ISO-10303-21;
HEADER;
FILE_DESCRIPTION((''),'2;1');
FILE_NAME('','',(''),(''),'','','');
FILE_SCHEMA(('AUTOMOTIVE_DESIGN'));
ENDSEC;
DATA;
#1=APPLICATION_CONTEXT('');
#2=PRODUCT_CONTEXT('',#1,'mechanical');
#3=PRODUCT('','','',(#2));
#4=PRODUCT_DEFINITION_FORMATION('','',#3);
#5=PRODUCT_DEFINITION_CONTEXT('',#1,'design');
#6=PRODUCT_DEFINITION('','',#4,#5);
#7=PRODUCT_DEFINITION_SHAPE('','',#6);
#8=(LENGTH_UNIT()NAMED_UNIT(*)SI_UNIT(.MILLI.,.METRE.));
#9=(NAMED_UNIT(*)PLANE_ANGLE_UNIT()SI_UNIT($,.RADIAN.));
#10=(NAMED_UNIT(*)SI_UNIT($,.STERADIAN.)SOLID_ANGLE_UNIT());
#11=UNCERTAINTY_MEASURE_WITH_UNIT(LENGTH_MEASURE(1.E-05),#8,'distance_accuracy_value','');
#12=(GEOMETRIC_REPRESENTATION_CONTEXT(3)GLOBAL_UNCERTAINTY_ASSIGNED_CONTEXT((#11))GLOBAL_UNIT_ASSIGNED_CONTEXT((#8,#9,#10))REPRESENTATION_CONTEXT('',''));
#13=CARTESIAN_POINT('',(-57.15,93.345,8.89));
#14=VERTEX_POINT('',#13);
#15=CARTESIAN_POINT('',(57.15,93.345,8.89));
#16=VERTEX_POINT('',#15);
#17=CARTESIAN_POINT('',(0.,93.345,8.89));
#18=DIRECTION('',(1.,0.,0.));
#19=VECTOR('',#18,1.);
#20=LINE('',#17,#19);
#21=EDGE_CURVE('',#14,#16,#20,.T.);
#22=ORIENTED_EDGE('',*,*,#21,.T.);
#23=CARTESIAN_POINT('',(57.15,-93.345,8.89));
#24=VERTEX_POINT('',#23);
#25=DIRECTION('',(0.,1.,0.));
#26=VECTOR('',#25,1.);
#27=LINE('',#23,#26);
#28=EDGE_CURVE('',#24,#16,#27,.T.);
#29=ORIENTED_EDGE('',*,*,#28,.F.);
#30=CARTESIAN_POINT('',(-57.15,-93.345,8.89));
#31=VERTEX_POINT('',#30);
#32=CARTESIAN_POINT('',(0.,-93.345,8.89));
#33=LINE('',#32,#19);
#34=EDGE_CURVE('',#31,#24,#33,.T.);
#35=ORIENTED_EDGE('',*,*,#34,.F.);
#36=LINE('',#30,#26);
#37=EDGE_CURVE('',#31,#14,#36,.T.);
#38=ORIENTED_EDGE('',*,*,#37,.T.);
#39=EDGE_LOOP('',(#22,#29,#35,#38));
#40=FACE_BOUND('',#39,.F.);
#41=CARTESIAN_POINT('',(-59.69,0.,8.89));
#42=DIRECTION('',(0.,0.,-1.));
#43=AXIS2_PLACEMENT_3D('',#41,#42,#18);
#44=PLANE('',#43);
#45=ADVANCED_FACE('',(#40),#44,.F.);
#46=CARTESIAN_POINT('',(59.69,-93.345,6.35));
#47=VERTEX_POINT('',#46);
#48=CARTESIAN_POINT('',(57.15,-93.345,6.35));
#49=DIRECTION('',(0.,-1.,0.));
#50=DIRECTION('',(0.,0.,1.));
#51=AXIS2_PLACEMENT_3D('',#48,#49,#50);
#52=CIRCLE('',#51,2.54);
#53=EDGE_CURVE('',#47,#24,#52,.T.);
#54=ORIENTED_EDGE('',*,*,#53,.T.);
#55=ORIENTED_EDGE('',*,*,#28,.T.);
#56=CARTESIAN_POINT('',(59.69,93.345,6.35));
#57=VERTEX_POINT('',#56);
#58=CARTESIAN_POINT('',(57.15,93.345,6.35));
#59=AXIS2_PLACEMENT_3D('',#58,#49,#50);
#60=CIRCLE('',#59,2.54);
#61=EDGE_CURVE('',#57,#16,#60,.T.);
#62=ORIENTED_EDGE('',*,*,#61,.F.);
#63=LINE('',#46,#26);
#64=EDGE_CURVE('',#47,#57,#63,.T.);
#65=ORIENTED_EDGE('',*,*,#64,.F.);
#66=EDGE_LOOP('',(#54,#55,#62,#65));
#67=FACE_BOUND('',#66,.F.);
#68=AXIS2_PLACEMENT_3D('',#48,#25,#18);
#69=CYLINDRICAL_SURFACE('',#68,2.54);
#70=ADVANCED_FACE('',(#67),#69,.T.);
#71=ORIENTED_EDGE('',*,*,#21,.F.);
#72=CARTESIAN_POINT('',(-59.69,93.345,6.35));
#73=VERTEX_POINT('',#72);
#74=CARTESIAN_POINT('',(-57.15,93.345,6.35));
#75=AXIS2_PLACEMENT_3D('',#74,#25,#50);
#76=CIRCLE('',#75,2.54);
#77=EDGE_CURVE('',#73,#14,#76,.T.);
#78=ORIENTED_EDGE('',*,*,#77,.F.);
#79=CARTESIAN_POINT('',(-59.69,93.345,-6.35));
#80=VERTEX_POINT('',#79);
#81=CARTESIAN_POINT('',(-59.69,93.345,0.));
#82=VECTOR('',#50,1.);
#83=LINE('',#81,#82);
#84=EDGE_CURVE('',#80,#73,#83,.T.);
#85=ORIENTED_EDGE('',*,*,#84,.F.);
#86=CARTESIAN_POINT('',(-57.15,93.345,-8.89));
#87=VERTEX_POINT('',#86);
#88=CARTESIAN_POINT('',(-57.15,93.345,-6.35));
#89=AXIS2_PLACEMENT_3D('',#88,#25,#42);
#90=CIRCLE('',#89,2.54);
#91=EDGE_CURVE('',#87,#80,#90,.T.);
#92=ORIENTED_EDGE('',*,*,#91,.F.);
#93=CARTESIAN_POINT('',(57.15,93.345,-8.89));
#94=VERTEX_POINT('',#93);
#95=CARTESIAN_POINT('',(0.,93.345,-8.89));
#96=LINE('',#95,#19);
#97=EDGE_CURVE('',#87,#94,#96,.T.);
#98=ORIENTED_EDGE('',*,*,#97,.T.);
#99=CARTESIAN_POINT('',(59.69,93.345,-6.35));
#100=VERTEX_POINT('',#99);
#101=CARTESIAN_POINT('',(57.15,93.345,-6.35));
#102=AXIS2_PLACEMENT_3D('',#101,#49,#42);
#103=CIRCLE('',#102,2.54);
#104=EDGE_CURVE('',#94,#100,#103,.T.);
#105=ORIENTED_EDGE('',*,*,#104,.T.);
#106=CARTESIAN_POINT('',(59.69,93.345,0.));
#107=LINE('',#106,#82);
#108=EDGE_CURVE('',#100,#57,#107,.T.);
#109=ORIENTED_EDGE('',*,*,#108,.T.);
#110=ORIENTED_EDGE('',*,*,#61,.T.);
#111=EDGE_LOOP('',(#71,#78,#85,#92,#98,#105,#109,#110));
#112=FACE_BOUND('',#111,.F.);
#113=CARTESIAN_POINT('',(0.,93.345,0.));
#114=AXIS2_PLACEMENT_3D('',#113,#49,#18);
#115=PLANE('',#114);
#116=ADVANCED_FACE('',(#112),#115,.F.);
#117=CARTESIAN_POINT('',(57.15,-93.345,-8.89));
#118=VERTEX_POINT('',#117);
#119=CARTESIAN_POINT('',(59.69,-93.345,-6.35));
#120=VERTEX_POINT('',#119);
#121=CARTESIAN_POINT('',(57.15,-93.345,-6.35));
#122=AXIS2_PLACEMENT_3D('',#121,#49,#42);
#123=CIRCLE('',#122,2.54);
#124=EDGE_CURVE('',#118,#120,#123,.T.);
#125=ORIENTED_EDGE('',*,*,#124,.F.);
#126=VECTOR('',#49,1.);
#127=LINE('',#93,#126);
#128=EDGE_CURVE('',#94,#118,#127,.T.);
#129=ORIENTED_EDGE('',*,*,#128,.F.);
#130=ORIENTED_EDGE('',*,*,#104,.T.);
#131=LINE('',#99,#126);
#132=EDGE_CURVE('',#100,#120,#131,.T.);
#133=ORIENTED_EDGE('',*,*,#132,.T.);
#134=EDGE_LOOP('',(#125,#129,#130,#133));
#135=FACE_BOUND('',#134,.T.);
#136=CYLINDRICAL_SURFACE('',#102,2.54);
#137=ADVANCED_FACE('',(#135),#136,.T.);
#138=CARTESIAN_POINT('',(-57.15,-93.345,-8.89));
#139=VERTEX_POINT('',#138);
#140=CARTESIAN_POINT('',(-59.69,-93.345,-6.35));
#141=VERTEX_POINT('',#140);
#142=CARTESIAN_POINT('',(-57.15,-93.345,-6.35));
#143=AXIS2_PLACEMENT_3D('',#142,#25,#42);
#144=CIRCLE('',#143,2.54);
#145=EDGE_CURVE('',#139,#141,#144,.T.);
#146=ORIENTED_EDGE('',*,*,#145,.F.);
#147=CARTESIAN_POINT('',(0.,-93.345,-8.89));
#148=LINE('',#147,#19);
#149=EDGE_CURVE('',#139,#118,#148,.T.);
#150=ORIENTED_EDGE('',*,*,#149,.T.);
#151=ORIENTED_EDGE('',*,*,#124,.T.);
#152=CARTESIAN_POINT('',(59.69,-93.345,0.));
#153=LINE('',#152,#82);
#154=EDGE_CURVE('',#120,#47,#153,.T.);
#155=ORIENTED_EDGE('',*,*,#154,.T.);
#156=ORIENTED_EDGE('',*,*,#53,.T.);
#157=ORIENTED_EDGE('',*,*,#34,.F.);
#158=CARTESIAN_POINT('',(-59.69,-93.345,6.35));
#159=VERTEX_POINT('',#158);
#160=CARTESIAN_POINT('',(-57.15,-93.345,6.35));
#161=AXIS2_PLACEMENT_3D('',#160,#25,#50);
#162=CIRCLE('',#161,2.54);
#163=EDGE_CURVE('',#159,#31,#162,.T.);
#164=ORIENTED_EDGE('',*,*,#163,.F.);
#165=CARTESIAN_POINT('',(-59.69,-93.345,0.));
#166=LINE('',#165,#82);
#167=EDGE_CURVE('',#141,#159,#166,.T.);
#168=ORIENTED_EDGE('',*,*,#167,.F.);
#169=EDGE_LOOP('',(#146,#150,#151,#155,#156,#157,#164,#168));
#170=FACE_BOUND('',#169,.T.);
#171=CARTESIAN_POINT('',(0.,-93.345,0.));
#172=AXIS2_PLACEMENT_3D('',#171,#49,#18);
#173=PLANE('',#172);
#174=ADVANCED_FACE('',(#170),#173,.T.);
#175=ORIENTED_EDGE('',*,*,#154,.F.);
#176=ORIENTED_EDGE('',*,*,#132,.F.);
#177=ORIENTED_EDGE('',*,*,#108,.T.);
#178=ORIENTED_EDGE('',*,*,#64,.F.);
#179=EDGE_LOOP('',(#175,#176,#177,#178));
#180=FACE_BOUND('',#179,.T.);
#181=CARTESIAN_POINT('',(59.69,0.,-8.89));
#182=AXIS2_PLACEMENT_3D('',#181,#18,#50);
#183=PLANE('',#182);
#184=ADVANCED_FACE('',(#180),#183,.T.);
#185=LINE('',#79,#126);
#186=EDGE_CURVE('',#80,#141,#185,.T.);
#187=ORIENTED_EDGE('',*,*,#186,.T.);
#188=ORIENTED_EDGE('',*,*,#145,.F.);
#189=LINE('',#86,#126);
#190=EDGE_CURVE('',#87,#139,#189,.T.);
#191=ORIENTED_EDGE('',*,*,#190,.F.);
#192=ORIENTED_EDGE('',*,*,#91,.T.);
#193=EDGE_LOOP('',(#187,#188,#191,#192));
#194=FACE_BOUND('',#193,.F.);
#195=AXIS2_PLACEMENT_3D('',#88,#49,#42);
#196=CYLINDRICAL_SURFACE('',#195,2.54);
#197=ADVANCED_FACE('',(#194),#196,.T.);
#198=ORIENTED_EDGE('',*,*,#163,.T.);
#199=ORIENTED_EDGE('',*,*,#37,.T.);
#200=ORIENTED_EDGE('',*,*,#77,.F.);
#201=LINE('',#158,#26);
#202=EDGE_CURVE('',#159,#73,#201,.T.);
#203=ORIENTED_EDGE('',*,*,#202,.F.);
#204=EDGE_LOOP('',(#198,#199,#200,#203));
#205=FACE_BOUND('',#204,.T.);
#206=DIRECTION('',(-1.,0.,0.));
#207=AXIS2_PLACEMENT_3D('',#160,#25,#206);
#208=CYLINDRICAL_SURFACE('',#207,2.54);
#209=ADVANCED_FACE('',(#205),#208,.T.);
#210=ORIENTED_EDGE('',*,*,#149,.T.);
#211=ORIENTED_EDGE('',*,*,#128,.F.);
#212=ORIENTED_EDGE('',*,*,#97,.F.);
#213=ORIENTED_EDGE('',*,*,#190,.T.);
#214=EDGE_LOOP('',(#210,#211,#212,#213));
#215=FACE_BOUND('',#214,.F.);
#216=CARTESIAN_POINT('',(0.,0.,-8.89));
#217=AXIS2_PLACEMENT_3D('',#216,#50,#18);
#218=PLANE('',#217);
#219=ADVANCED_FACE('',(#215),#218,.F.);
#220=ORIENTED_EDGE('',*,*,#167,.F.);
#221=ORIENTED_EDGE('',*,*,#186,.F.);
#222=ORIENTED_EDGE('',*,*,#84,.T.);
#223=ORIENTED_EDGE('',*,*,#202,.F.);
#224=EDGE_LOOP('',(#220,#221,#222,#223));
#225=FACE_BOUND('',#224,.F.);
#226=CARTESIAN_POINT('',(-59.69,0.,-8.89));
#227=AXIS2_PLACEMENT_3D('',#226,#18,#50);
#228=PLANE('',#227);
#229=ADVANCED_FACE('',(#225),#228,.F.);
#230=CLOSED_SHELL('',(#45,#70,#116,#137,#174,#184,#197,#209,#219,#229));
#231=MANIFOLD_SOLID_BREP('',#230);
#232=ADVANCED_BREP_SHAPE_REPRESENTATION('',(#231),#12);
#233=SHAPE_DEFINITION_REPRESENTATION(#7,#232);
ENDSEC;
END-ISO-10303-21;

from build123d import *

# Parameters (mm, degrees)
F0_W     = 119.38
F0_H     = 17.78
F1_DEPTH = 93.345
F2_W     = 106.68
F2_H     = 177.8
F3_DEPTH = 17.78
F4_W     = 106.68
F4_H     = 177.8
F5_DEPTH = 8.89
F6_R     = 2.54


with BuildPart() as f1:
    # F0 (on Front) → F1 (new body, symmetric)
    with BuildSketch(Plane.XZ):
        Rectangle(F0_W, F0_H)
    extrude(amount=F1_DEPTH, both=True)

    # F2 (on face) → F3 (cut)
    with BuildSketch(Plane.XY):
        Rectangle(F2_W, F2_H)
    extrude(amount=-F3_DEPTH, mode=Mode.SUBTRACT)

    # F4 (on Top) → F5 (join, symmetric)
    with BuildSketch(Plane.XY):
        Rectangle(F4_W, F4_H)
    extrude(amount=F5_DEPTH, both=True)

    # F6
    f6_edges = [f1.edges().sort_by_distance(p)[0] for p in [
        (-59.69, 0, 8.89),
        (-59.69, 0, -8.89),
        (59.69, 0, 8.89),
        (59.69, 0, -8.89),
    ]]
    fillet(f6_edges, radius=F6_R)


solid = f1.part
